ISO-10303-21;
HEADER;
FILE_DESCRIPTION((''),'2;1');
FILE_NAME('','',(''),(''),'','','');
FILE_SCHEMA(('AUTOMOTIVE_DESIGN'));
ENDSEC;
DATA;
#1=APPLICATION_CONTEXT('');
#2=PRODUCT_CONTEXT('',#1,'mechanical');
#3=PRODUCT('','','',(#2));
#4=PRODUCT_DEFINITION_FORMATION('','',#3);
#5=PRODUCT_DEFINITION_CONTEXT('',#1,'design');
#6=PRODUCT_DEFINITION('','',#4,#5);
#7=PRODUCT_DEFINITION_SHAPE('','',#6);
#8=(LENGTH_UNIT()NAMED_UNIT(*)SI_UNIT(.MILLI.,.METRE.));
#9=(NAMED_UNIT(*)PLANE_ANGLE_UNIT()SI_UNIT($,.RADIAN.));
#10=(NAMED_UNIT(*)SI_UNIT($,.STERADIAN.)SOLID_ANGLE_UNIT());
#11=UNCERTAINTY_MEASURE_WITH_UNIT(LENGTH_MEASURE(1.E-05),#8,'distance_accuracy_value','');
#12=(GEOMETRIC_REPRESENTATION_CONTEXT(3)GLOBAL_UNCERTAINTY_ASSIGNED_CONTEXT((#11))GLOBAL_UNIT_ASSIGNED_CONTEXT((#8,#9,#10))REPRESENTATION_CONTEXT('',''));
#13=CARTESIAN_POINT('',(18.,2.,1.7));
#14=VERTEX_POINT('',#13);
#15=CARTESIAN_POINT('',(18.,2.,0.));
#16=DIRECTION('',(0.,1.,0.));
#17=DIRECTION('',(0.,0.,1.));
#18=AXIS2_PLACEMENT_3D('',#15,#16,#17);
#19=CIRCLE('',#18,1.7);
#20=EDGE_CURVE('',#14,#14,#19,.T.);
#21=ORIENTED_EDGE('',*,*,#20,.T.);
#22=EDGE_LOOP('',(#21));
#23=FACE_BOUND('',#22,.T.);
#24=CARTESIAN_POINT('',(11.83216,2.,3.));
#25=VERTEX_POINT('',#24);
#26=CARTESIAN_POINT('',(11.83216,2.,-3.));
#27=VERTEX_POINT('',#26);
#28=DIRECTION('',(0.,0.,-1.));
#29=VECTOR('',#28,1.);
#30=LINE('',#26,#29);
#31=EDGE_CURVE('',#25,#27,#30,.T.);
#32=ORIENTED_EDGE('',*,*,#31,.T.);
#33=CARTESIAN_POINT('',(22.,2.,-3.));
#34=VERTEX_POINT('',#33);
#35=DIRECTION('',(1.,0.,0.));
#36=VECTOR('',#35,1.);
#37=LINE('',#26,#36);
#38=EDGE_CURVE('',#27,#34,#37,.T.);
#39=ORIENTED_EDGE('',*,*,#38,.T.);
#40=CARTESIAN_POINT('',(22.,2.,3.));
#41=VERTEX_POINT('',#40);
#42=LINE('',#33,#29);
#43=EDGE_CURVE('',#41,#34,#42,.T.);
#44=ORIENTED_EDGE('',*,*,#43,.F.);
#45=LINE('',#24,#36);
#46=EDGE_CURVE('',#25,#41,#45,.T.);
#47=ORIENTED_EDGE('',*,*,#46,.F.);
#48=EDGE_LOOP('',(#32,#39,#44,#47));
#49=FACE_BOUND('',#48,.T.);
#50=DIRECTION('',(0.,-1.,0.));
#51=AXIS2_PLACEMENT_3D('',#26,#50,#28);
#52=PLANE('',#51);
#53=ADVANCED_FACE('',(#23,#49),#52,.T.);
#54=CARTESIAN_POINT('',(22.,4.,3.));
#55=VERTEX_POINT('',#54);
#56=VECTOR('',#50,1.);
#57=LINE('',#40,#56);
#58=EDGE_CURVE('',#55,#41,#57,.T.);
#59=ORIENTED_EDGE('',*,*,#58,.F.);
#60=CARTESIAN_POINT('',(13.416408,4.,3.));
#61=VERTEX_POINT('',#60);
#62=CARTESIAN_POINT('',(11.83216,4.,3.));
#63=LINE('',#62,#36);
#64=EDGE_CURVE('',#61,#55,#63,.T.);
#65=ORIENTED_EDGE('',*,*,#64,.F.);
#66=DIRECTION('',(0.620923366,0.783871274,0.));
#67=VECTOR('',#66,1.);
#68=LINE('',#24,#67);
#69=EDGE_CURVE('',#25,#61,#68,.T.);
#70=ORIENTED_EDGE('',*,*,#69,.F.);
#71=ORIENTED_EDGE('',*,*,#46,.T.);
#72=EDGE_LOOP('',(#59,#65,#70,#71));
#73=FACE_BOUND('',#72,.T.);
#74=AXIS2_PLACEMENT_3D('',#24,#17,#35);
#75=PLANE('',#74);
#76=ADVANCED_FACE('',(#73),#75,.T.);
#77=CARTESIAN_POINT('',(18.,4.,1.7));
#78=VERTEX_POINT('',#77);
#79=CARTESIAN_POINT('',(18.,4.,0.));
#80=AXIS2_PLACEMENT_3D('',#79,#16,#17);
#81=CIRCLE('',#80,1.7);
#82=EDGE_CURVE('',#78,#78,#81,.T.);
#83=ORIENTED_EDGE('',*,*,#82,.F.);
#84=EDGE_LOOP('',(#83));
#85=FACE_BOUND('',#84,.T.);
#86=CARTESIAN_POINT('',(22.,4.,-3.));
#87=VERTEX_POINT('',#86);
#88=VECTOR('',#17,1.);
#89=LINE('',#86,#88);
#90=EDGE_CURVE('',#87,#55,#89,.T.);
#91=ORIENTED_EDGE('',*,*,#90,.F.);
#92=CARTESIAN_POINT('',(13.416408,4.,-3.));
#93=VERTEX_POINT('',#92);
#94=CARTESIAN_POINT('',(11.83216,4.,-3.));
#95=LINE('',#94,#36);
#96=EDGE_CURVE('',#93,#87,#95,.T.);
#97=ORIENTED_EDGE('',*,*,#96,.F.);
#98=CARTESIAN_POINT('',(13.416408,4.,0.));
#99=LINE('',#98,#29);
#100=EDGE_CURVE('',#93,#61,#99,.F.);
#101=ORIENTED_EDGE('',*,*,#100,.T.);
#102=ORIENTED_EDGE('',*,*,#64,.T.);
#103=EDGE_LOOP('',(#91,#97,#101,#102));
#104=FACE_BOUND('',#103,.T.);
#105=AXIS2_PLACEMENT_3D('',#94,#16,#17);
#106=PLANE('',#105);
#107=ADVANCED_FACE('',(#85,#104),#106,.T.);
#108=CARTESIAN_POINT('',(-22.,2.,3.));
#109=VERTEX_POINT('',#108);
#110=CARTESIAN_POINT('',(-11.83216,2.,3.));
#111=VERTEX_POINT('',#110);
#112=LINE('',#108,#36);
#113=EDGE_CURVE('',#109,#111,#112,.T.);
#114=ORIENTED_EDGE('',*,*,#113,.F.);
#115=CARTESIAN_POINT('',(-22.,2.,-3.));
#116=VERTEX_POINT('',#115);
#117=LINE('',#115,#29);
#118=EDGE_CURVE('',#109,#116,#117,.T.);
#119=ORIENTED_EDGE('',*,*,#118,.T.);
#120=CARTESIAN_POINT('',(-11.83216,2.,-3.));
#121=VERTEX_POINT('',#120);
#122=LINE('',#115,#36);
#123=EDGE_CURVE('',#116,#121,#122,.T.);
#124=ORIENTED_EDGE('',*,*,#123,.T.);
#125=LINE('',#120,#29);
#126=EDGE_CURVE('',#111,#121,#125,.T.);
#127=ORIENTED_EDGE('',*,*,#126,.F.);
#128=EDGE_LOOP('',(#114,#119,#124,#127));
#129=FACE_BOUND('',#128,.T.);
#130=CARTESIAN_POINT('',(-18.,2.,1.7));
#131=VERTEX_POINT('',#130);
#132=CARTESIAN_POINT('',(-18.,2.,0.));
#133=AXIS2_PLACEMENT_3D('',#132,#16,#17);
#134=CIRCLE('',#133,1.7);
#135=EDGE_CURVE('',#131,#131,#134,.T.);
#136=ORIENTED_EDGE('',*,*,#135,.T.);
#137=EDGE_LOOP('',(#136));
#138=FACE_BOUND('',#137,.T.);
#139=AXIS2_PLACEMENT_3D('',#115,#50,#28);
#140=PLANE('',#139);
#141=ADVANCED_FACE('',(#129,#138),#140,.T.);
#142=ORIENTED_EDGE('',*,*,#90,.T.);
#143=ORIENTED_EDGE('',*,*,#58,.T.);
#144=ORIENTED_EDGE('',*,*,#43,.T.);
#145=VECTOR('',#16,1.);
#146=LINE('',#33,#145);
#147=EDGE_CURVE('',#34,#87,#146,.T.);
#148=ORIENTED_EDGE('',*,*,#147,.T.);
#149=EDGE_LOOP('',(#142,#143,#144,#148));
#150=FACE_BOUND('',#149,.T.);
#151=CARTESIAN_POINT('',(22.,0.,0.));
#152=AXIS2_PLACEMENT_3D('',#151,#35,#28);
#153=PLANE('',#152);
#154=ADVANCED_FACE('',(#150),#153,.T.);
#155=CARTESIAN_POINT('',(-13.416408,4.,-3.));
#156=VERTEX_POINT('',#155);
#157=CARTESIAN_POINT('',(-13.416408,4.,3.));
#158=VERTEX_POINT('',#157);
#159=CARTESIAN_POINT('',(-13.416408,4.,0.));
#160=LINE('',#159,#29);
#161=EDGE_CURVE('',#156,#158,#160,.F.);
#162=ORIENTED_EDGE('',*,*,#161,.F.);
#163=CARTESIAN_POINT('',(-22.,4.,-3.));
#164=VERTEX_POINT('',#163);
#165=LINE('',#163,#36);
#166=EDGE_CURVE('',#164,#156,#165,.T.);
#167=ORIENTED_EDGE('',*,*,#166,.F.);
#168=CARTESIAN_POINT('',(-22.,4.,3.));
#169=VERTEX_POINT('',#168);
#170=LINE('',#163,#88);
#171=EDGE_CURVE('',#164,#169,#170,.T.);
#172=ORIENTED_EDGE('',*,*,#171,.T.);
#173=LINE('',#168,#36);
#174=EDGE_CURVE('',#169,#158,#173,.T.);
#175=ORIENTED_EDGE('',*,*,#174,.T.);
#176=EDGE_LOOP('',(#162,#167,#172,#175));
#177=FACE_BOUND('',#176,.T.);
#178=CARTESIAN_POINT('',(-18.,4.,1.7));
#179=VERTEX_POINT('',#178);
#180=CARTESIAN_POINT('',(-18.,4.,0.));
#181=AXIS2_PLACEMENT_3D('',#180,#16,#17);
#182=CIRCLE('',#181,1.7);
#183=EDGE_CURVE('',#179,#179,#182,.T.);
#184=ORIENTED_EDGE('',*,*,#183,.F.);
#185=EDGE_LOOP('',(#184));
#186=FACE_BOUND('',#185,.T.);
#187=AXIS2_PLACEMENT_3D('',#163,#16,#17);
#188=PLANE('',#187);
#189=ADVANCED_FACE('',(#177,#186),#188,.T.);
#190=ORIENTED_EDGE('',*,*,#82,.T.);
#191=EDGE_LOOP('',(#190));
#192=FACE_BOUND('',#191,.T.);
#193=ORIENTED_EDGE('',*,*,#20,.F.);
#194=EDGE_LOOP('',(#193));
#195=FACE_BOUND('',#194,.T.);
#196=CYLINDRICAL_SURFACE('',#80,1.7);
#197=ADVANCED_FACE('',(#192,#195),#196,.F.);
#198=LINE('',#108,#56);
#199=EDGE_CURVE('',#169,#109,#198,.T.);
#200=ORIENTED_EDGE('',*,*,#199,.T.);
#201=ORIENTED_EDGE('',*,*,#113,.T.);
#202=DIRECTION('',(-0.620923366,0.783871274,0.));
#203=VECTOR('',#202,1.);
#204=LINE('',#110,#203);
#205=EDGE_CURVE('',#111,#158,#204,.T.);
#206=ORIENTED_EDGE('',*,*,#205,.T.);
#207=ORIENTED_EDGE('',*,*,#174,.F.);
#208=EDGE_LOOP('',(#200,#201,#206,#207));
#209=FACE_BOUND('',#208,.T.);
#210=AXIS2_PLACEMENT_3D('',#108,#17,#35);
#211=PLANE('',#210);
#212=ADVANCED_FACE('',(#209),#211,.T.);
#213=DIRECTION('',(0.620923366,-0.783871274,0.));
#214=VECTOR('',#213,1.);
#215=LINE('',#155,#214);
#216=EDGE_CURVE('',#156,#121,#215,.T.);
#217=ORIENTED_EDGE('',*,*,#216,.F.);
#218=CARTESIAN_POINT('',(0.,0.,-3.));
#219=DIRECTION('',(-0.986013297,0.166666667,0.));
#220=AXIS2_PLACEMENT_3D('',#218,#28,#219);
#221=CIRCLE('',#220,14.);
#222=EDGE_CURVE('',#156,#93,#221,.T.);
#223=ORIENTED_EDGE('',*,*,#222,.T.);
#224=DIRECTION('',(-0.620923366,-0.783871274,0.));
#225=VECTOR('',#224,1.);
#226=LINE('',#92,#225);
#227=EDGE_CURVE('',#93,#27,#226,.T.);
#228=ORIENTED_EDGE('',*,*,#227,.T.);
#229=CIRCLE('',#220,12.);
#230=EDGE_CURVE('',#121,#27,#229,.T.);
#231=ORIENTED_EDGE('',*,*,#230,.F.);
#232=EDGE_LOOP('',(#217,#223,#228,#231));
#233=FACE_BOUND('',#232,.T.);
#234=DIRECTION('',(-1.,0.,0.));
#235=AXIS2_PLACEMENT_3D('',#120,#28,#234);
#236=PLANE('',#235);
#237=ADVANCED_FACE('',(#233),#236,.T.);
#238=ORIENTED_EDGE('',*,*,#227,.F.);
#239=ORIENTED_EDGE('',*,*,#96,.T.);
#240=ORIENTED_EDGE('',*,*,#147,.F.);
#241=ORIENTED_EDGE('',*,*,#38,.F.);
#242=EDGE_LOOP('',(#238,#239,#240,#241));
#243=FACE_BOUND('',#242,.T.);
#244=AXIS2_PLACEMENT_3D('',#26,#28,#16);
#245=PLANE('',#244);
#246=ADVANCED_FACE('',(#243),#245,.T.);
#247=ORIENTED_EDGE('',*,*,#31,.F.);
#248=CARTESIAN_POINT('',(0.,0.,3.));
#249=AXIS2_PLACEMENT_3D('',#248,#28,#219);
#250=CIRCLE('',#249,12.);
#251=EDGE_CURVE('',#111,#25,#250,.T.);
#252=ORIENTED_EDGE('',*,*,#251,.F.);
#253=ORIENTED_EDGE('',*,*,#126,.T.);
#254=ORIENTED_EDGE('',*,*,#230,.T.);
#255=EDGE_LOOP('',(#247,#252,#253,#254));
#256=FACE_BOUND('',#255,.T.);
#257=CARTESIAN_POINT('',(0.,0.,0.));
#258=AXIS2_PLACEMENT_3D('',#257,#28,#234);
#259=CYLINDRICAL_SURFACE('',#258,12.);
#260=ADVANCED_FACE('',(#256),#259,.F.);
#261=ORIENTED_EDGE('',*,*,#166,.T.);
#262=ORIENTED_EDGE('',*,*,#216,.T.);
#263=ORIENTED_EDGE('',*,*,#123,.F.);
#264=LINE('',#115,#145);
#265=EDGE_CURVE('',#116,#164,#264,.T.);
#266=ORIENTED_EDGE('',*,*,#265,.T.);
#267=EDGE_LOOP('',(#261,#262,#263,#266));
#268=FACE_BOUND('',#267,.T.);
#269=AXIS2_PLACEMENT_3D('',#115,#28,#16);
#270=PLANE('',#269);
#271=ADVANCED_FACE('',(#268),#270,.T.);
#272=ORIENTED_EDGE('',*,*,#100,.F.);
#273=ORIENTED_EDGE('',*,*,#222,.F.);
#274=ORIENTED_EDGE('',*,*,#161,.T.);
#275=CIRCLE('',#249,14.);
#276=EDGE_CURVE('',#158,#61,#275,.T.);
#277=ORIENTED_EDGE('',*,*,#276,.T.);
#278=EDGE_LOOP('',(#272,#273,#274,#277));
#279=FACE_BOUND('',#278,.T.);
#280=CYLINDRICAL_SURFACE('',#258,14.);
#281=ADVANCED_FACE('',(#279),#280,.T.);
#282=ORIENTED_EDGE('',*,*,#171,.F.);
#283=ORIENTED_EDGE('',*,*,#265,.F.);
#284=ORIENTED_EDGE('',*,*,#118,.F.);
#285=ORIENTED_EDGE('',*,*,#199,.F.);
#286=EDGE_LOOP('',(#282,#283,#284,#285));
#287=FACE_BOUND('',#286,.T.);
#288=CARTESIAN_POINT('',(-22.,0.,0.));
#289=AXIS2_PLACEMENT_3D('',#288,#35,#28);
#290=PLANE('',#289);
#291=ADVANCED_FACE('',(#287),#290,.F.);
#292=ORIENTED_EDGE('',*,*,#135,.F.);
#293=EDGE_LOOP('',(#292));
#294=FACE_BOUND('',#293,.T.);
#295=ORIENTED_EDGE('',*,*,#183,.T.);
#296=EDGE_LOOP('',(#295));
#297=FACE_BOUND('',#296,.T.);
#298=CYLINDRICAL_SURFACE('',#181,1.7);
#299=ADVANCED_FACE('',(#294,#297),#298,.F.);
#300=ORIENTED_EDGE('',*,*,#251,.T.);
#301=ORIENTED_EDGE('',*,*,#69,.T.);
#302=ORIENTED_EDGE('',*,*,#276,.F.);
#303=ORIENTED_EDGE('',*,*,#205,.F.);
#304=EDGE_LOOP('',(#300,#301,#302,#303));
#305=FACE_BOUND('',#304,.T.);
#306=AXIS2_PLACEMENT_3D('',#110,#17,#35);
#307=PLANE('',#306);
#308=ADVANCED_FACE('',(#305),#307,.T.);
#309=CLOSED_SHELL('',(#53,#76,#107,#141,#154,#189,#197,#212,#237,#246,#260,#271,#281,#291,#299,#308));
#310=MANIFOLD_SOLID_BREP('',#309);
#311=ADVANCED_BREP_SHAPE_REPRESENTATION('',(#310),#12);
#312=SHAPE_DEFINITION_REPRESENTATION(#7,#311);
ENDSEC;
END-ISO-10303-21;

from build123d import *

# Parameters (mm, degrees)
SKETCH_2_W         = 6
SKETCH_2_H         = 2
HOLE_WIZARD_M3_1_D = 3.4


with BuildPart() as part:
    # 掃出1: sweep along a path in 草圖1
    with BuildLine(Plane.XY) as sweep_1_path:
        Line((-22, 2), (-11.832159566, 2))
        ThreePointArc((-11.832159566, 2), (0, 12), (11.832159566, 2))
        Line((11.832159566, 2), (22, 2))
    # 草圖2 → 掃出1 (sweep)
    with BuildSketch(Plane(origin=(22, 0, 0), x_dir=(0, 0, -1), z_dir=(1, 0, 0))):
        with Locations((0, 3)):
            Rectangle(SKETCH_2_W, SKETCH_2_H)
    sweep(path=sweep_1_path.line, transition=Transition.RIGHT)

    # M3 餘隙孔1 (through all)
    with Locations(Plane(origin=(0, 4, 0), x_dir=(1, 0, 0), z_dir=(0, 1, 0))):
        with Locations((-18, 0), (18, 0)):
            Hole(HOLE_WIZARD_M3_1_D / 2)


solid = part.part
